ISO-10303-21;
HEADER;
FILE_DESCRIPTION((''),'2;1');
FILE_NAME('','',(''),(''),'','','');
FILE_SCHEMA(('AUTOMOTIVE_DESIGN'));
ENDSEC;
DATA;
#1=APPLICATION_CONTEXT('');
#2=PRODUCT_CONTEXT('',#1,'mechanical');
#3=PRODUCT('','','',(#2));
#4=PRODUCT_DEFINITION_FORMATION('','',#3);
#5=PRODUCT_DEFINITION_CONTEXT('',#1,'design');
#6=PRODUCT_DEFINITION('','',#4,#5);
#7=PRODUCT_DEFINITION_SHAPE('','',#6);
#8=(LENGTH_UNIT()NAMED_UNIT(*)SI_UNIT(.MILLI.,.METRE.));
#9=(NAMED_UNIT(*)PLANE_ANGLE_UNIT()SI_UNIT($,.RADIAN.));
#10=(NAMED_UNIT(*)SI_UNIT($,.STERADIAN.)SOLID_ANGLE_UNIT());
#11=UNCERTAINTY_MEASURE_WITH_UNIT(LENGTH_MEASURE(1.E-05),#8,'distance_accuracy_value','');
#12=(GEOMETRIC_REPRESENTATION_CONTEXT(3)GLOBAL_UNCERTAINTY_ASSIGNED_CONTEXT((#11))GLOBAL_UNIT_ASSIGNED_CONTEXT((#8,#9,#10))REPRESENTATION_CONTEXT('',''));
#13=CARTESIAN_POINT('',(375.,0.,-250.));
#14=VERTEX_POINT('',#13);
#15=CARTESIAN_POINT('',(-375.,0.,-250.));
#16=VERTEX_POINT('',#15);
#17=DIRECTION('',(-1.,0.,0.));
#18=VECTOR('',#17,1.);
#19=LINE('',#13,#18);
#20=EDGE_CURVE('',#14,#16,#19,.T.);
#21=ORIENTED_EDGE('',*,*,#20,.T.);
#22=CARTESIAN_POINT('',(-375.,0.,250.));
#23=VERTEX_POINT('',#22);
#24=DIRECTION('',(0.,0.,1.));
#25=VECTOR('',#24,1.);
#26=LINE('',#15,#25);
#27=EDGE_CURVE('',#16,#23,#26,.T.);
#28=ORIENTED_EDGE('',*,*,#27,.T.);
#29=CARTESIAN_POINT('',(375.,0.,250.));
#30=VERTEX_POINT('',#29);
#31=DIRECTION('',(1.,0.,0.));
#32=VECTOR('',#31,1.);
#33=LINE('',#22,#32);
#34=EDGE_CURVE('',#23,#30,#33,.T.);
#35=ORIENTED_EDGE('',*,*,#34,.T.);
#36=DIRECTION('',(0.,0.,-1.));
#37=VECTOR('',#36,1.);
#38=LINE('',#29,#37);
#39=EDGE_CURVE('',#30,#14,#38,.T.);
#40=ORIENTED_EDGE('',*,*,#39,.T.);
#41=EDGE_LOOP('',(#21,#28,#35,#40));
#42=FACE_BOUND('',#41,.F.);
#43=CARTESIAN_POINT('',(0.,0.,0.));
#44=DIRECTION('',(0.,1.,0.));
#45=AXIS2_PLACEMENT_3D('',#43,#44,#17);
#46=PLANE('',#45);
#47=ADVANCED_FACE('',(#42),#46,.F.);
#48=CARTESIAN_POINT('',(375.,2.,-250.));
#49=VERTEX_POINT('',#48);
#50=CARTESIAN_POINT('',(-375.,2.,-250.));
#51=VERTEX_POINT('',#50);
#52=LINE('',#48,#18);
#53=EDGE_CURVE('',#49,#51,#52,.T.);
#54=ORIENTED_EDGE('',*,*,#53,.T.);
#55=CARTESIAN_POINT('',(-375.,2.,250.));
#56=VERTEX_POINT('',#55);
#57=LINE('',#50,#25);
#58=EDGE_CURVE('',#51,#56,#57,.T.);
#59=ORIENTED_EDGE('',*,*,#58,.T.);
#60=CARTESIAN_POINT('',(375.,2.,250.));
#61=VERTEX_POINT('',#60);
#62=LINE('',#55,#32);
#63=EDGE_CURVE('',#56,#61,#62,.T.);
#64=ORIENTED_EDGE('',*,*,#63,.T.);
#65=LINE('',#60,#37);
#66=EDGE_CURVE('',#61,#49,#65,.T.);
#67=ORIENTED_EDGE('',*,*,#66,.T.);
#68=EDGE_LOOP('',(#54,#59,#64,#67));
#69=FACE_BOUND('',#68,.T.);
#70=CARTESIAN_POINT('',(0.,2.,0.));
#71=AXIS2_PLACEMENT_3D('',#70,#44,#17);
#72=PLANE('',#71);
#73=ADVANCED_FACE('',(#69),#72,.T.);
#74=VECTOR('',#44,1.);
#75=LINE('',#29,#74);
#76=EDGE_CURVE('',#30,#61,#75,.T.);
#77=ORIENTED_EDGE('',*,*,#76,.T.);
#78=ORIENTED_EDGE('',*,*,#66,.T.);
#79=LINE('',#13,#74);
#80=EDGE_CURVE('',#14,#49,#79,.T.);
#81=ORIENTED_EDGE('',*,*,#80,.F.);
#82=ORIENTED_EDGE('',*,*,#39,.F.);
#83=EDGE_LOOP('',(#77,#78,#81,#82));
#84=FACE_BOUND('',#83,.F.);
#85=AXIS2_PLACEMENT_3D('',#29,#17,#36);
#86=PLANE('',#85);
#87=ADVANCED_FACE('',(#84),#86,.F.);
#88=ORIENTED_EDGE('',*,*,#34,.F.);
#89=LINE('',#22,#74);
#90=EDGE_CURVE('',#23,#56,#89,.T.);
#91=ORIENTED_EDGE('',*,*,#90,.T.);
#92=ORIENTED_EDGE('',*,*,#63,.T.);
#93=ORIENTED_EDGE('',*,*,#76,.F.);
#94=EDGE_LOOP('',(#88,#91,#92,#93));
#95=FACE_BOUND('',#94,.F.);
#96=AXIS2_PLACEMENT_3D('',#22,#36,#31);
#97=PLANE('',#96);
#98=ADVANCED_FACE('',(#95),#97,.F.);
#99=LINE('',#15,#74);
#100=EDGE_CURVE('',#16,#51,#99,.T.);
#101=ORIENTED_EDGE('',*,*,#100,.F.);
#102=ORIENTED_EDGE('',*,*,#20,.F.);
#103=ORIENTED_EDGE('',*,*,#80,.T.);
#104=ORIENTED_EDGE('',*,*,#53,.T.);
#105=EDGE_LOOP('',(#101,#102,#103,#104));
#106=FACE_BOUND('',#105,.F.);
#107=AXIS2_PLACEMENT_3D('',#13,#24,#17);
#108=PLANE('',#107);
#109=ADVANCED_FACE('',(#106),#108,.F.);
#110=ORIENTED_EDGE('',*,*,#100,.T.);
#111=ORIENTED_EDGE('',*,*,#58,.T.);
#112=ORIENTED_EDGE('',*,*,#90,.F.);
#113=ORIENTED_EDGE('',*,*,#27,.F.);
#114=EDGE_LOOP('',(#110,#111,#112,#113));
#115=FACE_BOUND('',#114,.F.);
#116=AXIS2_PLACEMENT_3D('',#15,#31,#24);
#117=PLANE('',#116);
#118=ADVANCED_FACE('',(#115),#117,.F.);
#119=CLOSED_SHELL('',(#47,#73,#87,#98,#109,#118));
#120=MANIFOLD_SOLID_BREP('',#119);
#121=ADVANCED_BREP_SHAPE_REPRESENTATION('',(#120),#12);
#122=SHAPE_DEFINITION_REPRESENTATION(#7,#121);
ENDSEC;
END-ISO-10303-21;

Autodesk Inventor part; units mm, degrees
ref_plane "YZ Plane" through (0, 0, 0) normal (1, 0, 0) x (0, 1, 0)
ref_plane "XZ Plane" through (0, 0, 0) normal (0, 1, 0) x (-1, 0, 0)
ref_plane "XY Plane" through (0, 0, 0) normal (0, 0, 1) x (1, 0, 0)
sketch "スケッチ1" plane through (0, 0, 0) normal (0, 1, 0) x (-1, 0, 0)
  line L0 (-375, -250) -> (375, -250)
  line L1 (375, -250) -> (375, 250)
  line L2 (375, 250) -> (-375, 250)
  line L3 (-375, 250) -> (-375, -250)
  line L4 (-375, -250) -> (375, 250) construction
  line L5 (375, -250) -> (-375, 250) construction
  point P0 (0, 0)
  dimension "d0" = 500
  dimension "d1" = 750
extrude "押し出し1" add sketch "スケッチ1" along normal blind 2
properties part number "Panel_B" material "アルミニウム 6061"
